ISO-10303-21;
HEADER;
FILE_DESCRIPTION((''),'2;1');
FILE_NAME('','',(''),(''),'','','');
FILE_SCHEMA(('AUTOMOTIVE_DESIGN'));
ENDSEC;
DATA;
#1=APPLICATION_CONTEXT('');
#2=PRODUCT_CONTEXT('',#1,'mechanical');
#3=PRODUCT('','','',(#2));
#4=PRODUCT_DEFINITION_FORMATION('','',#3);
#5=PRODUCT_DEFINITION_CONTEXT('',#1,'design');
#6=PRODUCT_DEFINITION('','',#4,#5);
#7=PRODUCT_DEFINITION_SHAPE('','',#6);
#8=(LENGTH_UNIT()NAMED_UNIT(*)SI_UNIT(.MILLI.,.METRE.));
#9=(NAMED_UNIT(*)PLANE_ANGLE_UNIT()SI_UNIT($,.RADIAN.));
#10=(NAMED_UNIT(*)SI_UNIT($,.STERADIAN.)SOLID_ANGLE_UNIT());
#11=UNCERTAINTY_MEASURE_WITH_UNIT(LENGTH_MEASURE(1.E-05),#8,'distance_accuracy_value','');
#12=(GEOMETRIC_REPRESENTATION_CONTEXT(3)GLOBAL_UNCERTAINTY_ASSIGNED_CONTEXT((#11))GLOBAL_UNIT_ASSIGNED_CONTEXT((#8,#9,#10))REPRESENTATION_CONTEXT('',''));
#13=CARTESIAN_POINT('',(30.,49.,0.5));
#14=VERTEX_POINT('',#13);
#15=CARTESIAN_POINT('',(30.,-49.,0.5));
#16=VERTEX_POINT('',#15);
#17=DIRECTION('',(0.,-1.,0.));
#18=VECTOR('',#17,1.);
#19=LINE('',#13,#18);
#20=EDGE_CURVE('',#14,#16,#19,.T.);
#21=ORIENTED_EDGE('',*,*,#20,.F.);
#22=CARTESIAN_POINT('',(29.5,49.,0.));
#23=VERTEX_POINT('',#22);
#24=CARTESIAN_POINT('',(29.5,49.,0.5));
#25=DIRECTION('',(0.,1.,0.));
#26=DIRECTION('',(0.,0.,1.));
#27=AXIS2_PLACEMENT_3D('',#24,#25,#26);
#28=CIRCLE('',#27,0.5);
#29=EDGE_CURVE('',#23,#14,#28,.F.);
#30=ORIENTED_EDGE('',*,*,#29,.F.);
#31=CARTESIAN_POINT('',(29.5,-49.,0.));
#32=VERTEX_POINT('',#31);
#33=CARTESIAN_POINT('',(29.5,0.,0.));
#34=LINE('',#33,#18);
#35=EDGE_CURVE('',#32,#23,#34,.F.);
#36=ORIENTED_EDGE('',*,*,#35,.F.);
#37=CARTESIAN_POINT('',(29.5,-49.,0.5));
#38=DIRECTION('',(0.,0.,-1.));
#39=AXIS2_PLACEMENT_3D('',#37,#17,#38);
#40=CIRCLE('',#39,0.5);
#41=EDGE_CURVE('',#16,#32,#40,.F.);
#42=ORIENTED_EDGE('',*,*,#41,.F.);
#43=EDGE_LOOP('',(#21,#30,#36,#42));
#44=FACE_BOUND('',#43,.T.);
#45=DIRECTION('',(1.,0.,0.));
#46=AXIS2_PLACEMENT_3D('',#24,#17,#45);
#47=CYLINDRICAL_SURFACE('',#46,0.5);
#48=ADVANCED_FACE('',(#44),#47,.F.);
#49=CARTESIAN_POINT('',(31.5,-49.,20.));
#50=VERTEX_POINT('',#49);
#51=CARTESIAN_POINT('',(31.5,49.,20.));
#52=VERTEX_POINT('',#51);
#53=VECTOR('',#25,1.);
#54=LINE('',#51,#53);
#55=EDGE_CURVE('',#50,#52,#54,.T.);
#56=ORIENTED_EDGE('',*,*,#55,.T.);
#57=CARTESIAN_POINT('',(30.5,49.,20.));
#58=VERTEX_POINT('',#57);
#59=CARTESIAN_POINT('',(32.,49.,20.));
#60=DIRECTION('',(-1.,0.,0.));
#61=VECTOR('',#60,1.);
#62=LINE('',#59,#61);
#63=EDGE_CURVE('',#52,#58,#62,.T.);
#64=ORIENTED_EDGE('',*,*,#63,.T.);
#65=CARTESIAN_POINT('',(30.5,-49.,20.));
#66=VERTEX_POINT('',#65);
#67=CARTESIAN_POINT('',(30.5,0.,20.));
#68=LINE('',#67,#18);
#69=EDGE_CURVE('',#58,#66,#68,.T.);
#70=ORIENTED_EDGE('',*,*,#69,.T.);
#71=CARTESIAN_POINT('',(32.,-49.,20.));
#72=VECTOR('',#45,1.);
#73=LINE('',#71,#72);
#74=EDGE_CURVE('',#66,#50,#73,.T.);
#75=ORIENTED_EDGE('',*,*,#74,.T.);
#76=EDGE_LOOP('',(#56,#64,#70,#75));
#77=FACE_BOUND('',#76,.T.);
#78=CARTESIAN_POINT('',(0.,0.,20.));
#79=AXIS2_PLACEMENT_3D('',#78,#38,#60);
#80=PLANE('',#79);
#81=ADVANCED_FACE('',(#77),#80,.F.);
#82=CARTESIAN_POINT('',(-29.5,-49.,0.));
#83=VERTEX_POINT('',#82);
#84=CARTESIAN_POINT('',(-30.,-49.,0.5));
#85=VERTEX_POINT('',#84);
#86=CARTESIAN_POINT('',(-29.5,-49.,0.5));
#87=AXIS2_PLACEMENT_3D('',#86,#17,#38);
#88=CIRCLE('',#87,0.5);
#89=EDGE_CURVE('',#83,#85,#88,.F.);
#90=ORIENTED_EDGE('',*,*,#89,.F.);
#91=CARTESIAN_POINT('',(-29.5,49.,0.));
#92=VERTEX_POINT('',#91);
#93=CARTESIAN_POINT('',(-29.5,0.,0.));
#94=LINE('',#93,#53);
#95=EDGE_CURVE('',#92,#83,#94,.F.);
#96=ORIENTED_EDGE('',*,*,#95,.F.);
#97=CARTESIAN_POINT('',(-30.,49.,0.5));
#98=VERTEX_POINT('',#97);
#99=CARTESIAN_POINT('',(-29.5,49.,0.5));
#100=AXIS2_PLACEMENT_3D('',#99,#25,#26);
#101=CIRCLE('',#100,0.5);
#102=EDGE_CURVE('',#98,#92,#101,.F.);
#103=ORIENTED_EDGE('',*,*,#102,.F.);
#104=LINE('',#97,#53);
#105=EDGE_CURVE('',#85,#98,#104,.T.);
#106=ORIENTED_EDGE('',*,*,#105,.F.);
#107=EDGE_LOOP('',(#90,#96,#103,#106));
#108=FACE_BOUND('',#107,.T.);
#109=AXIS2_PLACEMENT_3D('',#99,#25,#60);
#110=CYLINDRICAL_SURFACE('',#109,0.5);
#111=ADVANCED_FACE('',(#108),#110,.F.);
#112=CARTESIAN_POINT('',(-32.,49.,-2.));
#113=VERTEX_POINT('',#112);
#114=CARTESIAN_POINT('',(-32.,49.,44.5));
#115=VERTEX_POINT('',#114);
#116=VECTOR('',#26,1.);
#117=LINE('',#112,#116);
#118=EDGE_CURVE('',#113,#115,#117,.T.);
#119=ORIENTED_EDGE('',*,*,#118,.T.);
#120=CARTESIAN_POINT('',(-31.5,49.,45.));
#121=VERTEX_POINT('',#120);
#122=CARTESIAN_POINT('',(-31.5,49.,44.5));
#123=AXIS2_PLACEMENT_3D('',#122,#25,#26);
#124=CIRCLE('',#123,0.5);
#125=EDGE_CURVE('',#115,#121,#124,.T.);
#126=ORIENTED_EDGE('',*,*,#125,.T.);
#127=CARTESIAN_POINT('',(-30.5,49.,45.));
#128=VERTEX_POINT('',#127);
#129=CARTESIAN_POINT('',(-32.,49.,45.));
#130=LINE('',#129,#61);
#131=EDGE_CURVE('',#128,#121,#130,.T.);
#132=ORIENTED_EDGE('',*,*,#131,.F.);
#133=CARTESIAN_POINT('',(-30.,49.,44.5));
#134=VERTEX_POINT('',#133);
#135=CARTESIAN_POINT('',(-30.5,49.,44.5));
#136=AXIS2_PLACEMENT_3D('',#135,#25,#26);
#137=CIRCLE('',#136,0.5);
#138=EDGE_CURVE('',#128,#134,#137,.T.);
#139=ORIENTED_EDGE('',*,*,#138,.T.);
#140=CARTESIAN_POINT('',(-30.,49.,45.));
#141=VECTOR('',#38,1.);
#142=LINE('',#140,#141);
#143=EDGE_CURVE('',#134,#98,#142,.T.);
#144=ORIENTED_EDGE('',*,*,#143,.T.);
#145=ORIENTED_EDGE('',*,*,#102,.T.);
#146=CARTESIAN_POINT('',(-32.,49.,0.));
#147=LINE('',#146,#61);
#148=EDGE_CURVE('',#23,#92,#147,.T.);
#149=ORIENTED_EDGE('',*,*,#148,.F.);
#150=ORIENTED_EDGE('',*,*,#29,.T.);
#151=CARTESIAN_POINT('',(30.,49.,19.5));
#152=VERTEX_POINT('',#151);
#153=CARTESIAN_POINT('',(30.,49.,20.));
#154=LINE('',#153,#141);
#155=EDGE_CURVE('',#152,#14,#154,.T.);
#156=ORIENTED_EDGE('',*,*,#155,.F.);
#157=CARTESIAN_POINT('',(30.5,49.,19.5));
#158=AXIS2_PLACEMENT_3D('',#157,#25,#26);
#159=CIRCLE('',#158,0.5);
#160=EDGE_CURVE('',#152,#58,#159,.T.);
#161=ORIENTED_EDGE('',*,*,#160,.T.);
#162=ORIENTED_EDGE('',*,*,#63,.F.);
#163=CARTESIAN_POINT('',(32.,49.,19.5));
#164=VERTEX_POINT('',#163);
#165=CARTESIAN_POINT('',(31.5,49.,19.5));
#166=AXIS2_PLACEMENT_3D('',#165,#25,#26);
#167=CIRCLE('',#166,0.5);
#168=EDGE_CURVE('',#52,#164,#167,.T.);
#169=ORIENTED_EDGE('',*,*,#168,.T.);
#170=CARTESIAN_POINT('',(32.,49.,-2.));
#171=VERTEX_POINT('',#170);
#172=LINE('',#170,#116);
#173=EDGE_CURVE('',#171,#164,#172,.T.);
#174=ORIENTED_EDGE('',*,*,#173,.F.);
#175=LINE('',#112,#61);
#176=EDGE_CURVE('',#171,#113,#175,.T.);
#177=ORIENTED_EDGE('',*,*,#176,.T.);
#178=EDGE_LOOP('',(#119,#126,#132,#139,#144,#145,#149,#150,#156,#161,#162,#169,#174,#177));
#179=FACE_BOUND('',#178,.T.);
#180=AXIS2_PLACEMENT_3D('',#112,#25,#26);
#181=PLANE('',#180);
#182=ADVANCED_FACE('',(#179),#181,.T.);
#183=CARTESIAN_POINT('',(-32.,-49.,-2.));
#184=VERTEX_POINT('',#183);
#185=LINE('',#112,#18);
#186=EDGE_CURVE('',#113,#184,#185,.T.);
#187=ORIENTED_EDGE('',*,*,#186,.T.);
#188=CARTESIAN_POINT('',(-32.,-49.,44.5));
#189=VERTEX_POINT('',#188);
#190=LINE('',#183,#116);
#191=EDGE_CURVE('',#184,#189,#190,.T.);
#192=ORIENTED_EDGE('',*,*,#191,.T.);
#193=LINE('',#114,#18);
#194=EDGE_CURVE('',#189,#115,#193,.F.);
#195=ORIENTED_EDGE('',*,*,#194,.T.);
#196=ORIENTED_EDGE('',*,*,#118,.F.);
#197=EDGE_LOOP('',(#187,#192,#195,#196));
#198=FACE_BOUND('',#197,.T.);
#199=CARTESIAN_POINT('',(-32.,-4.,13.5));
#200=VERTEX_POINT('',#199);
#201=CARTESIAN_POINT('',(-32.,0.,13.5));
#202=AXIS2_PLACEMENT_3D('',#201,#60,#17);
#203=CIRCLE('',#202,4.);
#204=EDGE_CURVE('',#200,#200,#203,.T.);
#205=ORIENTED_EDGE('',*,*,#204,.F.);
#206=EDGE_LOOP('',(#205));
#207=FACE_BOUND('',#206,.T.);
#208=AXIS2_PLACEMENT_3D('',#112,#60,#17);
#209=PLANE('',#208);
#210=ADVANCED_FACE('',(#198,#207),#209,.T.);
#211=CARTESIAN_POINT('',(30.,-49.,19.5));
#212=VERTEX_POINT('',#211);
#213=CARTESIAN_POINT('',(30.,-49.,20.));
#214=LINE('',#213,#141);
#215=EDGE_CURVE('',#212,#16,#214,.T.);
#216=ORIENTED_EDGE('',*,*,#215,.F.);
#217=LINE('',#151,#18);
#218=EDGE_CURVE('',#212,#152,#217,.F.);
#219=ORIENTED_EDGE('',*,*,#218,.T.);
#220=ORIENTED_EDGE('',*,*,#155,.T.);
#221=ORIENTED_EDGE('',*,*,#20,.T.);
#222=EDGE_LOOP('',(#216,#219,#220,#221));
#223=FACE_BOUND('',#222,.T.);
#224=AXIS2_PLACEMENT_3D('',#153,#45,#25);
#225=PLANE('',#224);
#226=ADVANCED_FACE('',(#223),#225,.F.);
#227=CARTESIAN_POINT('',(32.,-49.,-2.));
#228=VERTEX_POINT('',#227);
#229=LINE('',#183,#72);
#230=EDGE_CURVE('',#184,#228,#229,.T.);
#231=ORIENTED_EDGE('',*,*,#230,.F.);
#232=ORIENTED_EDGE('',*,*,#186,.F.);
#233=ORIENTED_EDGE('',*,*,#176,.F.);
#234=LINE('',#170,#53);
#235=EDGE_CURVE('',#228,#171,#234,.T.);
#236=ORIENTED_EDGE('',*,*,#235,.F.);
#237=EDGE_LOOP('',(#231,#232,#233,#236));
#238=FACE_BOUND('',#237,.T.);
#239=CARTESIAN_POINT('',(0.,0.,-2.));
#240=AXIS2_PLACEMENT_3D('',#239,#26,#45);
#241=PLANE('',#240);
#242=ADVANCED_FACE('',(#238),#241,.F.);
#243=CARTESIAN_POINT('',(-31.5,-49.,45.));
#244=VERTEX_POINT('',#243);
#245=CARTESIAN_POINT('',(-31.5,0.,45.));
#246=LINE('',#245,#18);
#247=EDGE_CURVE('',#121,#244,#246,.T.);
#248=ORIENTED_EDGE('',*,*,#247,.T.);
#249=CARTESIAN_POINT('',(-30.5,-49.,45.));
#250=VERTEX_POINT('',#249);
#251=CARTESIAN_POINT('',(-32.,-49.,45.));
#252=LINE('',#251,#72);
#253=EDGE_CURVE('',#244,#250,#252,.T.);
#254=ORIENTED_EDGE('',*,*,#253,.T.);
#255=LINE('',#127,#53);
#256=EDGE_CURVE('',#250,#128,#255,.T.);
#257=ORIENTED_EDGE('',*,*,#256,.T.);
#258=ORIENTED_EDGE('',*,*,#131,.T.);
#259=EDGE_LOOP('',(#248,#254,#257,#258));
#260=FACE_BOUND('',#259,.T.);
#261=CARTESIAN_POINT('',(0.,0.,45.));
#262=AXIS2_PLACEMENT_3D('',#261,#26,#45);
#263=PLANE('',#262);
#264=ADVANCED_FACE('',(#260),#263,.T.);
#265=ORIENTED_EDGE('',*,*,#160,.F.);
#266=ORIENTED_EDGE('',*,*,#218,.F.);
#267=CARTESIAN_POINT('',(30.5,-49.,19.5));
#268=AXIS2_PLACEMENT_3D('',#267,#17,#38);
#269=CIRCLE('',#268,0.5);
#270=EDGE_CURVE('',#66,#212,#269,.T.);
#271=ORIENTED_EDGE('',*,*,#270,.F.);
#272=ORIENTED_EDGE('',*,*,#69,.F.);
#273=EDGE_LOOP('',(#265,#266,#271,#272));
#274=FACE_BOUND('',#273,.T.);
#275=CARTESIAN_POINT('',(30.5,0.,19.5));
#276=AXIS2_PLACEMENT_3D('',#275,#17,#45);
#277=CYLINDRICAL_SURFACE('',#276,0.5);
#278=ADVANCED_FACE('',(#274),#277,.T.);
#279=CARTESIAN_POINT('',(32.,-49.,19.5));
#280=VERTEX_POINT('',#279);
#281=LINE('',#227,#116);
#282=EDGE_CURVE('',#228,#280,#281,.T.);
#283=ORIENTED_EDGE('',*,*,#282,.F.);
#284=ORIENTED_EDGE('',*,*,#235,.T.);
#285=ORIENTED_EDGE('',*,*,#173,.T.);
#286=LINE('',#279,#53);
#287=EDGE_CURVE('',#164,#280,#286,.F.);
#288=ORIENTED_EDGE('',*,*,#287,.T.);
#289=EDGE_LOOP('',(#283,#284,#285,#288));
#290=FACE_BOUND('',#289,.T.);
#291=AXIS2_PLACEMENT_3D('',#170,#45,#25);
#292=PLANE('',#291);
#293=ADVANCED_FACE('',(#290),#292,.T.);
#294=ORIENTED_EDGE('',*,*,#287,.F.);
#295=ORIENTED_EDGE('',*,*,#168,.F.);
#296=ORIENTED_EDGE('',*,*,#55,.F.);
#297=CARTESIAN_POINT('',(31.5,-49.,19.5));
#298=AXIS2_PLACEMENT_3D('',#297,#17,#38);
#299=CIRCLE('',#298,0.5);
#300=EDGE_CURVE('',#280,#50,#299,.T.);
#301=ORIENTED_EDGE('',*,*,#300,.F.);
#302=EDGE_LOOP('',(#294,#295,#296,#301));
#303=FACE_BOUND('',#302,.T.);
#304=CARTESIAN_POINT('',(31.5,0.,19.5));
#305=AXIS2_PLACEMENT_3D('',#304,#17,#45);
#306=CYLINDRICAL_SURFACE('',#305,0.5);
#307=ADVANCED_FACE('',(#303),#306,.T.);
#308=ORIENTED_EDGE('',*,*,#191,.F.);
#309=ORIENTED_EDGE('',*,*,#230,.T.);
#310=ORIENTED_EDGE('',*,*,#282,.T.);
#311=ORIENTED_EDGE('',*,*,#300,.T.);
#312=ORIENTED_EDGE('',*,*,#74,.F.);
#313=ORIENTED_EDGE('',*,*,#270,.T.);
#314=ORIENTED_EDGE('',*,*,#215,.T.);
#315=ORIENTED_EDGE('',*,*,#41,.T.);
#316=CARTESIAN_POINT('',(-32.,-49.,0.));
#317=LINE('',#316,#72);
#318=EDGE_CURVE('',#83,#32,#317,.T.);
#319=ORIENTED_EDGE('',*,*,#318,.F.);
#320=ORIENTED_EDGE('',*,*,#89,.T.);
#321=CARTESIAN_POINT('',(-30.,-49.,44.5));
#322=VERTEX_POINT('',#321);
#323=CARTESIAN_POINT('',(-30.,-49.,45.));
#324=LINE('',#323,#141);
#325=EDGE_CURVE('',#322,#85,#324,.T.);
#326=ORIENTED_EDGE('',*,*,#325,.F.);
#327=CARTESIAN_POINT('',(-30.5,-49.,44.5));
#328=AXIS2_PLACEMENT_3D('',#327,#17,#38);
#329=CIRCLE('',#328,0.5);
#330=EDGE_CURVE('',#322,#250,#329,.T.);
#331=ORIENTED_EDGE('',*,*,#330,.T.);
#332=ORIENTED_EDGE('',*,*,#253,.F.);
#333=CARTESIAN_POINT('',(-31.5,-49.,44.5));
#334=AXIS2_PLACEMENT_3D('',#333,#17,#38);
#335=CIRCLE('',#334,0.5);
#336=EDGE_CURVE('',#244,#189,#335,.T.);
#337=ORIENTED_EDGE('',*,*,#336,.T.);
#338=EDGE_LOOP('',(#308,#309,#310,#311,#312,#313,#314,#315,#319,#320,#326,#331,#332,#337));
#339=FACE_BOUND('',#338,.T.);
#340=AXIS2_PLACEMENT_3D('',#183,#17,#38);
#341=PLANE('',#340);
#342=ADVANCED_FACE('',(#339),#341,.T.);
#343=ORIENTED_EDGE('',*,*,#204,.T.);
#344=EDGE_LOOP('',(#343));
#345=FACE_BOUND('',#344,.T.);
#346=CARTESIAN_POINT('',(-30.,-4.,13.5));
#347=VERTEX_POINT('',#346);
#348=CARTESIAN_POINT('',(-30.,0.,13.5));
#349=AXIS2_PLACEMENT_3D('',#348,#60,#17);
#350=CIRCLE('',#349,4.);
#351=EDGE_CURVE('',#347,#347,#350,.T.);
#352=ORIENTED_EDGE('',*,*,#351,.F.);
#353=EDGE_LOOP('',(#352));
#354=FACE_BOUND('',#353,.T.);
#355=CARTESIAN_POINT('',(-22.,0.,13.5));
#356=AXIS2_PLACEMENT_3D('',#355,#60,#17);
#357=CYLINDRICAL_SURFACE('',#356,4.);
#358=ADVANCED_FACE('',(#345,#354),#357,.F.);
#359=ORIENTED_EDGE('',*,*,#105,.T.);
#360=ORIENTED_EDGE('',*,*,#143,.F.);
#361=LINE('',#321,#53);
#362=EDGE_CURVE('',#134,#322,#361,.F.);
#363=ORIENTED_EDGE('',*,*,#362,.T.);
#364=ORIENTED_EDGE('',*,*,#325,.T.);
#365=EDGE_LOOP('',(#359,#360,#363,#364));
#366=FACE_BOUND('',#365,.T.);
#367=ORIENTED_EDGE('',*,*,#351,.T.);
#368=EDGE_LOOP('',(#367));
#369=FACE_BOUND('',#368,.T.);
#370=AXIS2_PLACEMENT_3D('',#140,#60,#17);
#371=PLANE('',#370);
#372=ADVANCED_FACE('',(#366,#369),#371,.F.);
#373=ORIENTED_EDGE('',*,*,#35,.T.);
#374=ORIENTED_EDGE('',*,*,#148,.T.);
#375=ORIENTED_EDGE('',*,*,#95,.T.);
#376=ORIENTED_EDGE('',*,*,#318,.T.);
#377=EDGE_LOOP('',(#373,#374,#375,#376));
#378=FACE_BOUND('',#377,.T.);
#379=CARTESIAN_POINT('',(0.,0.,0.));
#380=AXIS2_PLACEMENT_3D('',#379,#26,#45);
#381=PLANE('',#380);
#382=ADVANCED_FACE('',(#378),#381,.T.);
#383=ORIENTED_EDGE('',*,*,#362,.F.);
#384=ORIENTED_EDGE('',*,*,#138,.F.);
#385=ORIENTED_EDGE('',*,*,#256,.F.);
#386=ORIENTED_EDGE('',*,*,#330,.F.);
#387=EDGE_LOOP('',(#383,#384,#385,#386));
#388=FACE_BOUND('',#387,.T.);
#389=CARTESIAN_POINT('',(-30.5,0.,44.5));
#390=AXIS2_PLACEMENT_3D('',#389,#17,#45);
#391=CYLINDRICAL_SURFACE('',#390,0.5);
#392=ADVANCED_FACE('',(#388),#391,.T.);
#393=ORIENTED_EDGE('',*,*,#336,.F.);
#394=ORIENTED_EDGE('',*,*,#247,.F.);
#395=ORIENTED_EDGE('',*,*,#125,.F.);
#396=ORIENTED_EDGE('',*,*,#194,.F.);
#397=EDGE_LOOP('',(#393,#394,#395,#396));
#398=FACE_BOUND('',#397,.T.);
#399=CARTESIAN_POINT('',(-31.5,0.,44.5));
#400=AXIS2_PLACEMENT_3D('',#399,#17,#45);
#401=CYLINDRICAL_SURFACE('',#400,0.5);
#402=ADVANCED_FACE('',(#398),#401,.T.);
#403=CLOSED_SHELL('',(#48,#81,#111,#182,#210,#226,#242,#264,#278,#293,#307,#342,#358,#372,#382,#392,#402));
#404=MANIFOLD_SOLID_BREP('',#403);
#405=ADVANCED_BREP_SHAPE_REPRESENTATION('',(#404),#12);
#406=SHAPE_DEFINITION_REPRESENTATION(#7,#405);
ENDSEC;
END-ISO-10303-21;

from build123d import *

# Parameters (mm, degrees)
SCHIZZO1_W                   = 64
SCHIZZO1_H                   = 98
ESTRUSIONE_ESTRUSIONE1_DEPTH = 2
SCHIZZO4_W                   = 2
SCHIZZO4_H                   = 98
ESTRUSIONE_ESTRUSIONE2_DEPTH = 45
SCHIZZO5_W                   = 2
SCHIZZO5_H                   = 98
ESTRUSIONE_ESTRUSIONE3_DEPTH = 20
RACCORDO1_R                  = 0.5
SCHIZZO6_R                   = 4
TAGLIO_ESTRUSIONE1_DEPTH     = 10


with BuildPart() as part:
    # Schizzo1 → Estrusione-Estrusione1 (new body)
    with BuildSketch(Plane.XY):
        Rectangle(SCHIZZO1_W, SCHIZZO1_H)
    extrude(amount=-ESTRUSIONE_ESTRUSIONE1_DEPTH)

    # Schizzo4 → Estrusione-Estrusione2 (add)
    with BuildSketch(Plane.XY):
        with Locations((-31, 0)):
            Rectangle(SCHIZZO4_W, SCHIZZO4_H)
    extrude(amount=ESTRUSIONE_ESTRUSIONE2_DEPTH)

    # Schizzo5 → Estrusione-Estrusione3 (add)
    with BuildSketch(Plane.XY):
        with Locations((31, 0)):
            Rectangle(SCHIZZO5_W, SCHIZZO5_H)
    extrude(amount=ESTRUSIONE_ESTRUSIONE3_DEPTH)

    # Raccordo1
    raccordo1_edges = [part.edges().sort_by_distance(p)[0] for p in [
        (-30, 0, 0),
        (-32, 0, 45),
        (-30, 0, 45),
        (30, 0, 0),
        (32, 0, 20),
        (30, 0, 20),
    ]]
    fillet(raccordo1_edges, radius=RACCORDO1_R)

    # Schizzo6 → Taglio-Estrusione1 (cut)
    with BuildSketch(Plane.ZY.offset(32)):
        with Locations(Location((13.5, 0, 0), (0, 0, 270))):
            Circle(SCHIZZO6_R)
    extrude(amount=-TAGLIO_ESTRUSIONE1_DEPTH, mode=Mode.SUBTRACT)


solid = part.part
